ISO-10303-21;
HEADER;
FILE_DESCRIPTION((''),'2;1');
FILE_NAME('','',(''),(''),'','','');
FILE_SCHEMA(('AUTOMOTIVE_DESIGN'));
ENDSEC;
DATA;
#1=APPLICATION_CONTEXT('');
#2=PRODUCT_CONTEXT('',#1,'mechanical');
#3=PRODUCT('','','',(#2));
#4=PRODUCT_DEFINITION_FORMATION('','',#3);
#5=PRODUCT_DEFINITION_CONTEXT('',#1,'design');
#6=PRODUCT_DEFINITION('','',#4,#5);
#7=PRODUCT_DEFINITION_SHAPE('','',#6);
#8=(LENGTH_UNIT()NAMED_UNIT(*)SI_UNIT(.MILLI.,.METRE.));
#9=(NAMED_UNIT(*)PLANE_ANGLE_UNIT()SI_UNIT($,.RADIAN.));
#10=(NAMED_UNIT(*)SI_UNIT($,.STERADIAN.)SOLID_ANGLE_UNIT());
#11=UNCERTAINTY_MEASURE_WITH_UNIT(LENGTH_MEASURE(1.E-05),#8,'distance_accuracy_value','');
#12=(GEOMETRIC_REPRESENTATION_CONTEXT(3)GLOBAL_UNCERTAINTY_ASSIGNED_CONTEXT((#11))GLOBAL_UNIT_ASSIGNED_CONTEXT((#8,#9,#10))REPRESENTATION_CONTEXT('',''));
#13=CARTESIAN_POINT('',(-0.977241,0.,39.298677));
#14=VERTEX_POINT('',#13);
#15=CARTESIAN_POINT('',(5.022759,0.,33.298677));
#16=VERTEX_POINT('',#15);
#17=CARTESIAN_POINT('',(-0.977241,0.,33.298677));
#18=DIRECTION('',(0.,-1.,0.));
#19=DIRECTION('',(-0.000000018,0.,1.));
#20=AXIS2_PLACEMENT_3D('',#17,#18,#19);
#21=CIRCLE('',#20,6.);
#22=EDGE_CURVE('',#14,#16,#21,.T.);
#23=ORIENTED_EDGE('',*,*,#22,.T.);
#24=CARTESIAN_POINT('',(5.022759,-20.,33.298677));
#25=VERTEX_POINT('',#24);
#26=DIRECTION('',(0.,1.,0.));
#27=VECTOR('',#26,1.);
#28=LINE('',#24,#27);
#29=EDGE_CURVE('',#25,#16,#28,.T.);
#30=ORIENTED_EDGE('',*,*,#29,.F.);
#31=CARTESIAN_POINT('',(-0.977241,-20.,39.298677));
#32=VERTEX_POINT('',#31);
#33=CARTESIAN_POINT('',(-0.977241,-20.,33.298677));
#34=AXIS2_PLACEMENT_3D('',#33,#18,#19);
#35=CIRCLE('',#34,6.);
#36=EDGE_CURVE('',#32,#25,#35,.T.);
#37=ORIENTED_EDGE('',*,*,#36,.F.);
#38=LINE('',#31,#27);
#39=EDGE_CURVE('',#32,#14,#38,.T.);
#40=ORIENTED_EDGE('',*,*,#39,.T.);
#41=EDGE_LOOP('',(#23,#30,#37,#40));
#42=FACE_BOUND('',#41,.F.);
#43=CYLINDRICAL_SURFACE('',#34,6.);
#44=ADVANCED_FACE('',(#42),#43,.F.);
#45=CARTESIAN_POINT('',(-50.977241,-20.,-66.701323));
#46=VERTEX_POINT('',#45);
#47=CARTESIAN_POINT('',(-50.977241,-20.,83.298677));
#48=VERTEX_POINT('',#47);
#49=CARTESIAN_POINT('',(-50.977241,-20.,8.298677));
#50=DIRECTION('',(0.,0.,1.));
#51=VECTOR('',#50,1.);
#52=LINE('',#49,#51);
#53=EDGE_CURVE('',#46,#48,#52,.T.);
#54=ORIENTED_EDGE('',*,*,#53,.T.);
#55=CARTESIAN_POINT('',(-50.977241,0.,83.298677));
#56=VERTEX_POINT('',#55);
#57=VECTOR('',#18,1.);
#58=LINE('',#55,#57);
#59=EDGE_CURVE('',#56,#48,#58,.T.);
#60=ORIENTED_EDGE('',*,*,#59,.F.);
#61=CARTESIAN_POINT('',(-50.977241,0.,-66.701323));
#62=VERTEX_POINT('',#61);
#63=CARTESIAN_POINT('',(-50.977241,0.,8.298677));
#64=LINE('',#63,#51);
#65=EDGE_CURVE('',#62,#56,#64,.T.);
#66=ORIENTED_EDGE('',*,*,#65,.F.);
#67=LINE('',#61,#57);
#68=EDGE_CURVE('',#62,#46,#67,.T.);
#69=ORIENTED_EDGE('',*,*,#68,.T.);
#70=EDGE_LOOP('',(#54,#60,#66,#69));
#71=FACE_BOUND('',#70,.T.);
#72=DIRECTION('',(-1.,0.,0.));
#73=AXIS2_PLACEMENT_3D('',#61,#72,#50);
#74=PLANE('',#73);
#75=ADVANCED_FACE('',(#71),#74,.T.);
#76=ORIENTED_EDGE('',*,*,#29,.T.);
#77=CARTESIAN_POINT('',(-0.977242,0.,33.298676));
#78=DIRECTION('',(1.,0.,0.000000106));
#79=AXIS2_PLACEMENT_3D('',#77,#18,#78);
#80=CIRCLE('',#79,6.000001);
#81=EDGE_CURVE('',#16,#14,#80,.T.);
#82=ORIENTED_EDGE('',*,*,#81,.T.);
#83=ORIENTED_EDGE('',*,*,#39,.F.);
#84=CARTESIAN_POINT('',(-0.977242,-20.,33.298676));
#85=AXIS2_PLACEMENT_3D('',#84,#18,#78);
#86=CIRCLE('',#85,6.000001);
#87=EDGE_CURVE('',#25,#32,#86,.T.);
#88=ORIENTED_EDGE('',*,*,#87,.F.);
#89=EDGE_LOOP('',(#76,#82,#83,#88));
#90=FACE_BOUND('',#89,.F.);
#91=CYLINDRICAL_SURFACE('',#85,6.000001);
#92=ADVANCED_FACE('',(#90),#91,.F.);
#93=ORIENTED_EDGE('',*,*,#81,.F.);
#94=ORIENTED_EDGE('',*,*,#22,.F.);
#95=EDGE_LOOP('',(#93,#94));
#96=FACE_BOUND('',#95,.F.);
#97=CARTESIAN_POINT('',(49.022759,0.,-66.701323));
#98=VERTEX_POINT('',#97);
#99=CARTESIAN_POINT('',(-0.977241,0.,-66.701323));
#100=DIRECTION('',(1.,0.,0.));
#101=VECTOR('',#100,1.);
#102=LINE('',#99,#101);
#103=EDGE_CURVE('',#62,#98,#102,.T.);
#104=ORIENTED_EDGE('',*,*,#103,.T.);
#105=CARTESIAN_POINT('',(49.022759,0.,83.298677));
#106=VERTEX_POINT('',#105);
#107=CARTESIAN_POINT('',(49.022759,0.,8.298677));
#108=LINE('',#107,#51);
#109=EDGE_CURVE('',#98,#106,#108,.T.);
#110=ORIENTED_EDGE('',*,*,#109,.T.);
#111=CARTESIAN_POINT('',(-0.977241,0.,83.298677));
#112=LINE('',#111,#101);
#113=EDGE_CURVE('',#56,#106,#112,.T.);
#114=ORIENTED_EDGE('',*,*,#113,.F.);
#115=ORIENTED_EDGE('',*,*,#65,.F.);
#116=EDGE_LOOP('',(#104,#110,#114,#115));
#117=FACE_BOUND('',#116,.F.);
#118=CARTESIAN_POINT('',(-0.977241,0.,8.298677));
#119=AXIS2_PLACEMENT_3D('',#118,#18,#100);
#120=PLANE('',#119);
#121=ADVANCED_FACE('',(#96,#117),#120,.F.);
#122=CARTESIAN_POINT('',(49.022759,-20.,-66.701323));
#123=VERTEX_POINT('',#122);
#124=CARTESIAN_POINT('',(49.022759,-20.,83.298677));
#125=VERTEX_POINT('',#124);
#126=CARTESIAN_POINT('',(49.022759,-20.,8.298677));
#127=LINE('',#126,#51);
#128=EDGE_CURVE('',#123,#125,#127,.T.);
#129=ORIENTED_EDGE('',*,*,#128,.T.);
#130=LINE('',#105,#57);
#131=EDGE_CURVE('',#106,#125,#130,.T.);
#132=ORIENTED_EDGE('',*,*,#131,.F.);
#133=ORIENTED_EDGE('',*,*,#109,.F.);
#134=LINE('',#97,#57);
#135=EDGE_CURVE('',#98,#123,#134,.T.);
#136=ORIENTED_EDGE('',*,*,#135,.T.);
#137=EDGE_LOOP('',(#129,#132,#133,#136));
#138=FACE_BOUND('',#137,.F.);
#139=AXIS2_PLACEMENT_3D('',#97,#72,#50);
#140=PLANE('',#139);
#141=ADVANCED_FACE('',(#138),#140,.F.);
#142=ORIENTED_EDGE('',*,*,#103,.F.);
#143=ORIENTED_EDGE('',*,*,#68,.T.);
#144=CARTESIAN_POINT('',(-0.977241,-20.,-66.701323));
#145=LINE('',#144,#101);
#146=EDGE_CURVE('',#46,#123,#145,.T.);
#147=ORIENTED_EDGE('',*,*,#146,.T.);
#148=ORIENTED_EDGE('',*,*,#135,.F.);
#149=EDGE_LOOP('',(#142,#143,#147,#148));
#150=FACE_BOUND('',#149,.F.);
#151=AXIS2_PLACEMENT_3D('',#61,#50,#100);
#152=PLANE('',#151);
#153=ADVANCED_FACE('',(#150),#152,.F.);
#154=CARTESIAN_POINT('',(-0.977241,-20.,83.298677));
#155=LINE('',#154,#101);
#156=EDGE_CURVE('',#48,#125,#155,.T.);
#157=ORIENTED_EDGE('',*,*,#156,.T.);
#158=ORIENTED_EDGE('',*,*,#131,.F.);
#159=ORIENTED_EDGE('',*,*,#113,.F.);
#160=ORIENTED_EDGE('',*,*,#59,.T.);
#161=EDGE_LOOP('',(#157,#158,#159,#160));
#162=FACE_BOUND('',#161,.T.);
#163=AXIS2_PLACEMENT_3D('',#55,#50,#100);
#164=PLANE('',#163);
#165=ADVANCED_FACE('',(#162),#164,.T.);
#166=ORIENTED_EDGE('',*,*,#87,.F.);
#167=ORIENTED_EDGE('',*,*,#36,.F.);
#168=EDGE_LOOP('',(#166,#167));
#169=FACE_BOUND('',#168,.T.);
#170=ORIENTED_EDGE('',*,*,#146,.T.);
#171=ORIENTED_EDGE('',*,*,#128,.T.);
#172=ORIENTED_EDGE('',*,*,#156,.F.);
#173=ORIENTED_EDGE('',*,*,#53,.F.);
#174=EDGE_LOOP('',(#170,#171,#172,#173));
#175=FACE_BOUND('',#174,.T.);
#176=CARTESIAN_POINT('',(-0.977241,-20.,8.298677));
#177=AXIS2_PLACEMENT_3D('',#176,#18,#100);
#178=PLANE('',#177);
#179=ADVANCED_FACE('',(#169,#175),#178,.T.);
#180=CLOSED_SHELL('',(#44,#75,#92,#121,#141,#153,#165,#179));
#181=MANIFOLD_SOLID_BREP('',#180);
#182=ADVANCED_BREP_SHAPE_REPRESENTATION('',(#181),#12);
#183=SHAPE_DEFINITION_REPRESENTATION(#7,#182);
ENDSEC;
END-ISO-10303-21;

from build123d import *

# Parameters (mm, degrees)
F0_W     = 100
F0_H     = 150
F1_DEPTH = 20
F3_DEPTH = 25


with BuildPart() as f1:
    # F0 (on Front) → F1 (new body)
    with BuildSketch(Plane.XZ):
        with Locations((-0.977241, 8.298677)):
            Rectangle(F0_W, F0_H)
    extrude(amount=F1_DEPTH)

    # F2 (on face) → F3 (cut)
    with BuildSketch(Plane.XZ.offset(20)):
        with BuildLine():
            ThreePointArc((-0.977241, 39.298677), (-5.219882, 29.056037), (5.022759, 33.298677))
            ThreePointArc((5.022759, 33.298677), (3.265399, 37.541318), (-0.977241, 39.298677))
        make_face()
    extrude(amount=-F3_DEPTH, mode=Mode.SUBTRACT)


solid = f1.part
